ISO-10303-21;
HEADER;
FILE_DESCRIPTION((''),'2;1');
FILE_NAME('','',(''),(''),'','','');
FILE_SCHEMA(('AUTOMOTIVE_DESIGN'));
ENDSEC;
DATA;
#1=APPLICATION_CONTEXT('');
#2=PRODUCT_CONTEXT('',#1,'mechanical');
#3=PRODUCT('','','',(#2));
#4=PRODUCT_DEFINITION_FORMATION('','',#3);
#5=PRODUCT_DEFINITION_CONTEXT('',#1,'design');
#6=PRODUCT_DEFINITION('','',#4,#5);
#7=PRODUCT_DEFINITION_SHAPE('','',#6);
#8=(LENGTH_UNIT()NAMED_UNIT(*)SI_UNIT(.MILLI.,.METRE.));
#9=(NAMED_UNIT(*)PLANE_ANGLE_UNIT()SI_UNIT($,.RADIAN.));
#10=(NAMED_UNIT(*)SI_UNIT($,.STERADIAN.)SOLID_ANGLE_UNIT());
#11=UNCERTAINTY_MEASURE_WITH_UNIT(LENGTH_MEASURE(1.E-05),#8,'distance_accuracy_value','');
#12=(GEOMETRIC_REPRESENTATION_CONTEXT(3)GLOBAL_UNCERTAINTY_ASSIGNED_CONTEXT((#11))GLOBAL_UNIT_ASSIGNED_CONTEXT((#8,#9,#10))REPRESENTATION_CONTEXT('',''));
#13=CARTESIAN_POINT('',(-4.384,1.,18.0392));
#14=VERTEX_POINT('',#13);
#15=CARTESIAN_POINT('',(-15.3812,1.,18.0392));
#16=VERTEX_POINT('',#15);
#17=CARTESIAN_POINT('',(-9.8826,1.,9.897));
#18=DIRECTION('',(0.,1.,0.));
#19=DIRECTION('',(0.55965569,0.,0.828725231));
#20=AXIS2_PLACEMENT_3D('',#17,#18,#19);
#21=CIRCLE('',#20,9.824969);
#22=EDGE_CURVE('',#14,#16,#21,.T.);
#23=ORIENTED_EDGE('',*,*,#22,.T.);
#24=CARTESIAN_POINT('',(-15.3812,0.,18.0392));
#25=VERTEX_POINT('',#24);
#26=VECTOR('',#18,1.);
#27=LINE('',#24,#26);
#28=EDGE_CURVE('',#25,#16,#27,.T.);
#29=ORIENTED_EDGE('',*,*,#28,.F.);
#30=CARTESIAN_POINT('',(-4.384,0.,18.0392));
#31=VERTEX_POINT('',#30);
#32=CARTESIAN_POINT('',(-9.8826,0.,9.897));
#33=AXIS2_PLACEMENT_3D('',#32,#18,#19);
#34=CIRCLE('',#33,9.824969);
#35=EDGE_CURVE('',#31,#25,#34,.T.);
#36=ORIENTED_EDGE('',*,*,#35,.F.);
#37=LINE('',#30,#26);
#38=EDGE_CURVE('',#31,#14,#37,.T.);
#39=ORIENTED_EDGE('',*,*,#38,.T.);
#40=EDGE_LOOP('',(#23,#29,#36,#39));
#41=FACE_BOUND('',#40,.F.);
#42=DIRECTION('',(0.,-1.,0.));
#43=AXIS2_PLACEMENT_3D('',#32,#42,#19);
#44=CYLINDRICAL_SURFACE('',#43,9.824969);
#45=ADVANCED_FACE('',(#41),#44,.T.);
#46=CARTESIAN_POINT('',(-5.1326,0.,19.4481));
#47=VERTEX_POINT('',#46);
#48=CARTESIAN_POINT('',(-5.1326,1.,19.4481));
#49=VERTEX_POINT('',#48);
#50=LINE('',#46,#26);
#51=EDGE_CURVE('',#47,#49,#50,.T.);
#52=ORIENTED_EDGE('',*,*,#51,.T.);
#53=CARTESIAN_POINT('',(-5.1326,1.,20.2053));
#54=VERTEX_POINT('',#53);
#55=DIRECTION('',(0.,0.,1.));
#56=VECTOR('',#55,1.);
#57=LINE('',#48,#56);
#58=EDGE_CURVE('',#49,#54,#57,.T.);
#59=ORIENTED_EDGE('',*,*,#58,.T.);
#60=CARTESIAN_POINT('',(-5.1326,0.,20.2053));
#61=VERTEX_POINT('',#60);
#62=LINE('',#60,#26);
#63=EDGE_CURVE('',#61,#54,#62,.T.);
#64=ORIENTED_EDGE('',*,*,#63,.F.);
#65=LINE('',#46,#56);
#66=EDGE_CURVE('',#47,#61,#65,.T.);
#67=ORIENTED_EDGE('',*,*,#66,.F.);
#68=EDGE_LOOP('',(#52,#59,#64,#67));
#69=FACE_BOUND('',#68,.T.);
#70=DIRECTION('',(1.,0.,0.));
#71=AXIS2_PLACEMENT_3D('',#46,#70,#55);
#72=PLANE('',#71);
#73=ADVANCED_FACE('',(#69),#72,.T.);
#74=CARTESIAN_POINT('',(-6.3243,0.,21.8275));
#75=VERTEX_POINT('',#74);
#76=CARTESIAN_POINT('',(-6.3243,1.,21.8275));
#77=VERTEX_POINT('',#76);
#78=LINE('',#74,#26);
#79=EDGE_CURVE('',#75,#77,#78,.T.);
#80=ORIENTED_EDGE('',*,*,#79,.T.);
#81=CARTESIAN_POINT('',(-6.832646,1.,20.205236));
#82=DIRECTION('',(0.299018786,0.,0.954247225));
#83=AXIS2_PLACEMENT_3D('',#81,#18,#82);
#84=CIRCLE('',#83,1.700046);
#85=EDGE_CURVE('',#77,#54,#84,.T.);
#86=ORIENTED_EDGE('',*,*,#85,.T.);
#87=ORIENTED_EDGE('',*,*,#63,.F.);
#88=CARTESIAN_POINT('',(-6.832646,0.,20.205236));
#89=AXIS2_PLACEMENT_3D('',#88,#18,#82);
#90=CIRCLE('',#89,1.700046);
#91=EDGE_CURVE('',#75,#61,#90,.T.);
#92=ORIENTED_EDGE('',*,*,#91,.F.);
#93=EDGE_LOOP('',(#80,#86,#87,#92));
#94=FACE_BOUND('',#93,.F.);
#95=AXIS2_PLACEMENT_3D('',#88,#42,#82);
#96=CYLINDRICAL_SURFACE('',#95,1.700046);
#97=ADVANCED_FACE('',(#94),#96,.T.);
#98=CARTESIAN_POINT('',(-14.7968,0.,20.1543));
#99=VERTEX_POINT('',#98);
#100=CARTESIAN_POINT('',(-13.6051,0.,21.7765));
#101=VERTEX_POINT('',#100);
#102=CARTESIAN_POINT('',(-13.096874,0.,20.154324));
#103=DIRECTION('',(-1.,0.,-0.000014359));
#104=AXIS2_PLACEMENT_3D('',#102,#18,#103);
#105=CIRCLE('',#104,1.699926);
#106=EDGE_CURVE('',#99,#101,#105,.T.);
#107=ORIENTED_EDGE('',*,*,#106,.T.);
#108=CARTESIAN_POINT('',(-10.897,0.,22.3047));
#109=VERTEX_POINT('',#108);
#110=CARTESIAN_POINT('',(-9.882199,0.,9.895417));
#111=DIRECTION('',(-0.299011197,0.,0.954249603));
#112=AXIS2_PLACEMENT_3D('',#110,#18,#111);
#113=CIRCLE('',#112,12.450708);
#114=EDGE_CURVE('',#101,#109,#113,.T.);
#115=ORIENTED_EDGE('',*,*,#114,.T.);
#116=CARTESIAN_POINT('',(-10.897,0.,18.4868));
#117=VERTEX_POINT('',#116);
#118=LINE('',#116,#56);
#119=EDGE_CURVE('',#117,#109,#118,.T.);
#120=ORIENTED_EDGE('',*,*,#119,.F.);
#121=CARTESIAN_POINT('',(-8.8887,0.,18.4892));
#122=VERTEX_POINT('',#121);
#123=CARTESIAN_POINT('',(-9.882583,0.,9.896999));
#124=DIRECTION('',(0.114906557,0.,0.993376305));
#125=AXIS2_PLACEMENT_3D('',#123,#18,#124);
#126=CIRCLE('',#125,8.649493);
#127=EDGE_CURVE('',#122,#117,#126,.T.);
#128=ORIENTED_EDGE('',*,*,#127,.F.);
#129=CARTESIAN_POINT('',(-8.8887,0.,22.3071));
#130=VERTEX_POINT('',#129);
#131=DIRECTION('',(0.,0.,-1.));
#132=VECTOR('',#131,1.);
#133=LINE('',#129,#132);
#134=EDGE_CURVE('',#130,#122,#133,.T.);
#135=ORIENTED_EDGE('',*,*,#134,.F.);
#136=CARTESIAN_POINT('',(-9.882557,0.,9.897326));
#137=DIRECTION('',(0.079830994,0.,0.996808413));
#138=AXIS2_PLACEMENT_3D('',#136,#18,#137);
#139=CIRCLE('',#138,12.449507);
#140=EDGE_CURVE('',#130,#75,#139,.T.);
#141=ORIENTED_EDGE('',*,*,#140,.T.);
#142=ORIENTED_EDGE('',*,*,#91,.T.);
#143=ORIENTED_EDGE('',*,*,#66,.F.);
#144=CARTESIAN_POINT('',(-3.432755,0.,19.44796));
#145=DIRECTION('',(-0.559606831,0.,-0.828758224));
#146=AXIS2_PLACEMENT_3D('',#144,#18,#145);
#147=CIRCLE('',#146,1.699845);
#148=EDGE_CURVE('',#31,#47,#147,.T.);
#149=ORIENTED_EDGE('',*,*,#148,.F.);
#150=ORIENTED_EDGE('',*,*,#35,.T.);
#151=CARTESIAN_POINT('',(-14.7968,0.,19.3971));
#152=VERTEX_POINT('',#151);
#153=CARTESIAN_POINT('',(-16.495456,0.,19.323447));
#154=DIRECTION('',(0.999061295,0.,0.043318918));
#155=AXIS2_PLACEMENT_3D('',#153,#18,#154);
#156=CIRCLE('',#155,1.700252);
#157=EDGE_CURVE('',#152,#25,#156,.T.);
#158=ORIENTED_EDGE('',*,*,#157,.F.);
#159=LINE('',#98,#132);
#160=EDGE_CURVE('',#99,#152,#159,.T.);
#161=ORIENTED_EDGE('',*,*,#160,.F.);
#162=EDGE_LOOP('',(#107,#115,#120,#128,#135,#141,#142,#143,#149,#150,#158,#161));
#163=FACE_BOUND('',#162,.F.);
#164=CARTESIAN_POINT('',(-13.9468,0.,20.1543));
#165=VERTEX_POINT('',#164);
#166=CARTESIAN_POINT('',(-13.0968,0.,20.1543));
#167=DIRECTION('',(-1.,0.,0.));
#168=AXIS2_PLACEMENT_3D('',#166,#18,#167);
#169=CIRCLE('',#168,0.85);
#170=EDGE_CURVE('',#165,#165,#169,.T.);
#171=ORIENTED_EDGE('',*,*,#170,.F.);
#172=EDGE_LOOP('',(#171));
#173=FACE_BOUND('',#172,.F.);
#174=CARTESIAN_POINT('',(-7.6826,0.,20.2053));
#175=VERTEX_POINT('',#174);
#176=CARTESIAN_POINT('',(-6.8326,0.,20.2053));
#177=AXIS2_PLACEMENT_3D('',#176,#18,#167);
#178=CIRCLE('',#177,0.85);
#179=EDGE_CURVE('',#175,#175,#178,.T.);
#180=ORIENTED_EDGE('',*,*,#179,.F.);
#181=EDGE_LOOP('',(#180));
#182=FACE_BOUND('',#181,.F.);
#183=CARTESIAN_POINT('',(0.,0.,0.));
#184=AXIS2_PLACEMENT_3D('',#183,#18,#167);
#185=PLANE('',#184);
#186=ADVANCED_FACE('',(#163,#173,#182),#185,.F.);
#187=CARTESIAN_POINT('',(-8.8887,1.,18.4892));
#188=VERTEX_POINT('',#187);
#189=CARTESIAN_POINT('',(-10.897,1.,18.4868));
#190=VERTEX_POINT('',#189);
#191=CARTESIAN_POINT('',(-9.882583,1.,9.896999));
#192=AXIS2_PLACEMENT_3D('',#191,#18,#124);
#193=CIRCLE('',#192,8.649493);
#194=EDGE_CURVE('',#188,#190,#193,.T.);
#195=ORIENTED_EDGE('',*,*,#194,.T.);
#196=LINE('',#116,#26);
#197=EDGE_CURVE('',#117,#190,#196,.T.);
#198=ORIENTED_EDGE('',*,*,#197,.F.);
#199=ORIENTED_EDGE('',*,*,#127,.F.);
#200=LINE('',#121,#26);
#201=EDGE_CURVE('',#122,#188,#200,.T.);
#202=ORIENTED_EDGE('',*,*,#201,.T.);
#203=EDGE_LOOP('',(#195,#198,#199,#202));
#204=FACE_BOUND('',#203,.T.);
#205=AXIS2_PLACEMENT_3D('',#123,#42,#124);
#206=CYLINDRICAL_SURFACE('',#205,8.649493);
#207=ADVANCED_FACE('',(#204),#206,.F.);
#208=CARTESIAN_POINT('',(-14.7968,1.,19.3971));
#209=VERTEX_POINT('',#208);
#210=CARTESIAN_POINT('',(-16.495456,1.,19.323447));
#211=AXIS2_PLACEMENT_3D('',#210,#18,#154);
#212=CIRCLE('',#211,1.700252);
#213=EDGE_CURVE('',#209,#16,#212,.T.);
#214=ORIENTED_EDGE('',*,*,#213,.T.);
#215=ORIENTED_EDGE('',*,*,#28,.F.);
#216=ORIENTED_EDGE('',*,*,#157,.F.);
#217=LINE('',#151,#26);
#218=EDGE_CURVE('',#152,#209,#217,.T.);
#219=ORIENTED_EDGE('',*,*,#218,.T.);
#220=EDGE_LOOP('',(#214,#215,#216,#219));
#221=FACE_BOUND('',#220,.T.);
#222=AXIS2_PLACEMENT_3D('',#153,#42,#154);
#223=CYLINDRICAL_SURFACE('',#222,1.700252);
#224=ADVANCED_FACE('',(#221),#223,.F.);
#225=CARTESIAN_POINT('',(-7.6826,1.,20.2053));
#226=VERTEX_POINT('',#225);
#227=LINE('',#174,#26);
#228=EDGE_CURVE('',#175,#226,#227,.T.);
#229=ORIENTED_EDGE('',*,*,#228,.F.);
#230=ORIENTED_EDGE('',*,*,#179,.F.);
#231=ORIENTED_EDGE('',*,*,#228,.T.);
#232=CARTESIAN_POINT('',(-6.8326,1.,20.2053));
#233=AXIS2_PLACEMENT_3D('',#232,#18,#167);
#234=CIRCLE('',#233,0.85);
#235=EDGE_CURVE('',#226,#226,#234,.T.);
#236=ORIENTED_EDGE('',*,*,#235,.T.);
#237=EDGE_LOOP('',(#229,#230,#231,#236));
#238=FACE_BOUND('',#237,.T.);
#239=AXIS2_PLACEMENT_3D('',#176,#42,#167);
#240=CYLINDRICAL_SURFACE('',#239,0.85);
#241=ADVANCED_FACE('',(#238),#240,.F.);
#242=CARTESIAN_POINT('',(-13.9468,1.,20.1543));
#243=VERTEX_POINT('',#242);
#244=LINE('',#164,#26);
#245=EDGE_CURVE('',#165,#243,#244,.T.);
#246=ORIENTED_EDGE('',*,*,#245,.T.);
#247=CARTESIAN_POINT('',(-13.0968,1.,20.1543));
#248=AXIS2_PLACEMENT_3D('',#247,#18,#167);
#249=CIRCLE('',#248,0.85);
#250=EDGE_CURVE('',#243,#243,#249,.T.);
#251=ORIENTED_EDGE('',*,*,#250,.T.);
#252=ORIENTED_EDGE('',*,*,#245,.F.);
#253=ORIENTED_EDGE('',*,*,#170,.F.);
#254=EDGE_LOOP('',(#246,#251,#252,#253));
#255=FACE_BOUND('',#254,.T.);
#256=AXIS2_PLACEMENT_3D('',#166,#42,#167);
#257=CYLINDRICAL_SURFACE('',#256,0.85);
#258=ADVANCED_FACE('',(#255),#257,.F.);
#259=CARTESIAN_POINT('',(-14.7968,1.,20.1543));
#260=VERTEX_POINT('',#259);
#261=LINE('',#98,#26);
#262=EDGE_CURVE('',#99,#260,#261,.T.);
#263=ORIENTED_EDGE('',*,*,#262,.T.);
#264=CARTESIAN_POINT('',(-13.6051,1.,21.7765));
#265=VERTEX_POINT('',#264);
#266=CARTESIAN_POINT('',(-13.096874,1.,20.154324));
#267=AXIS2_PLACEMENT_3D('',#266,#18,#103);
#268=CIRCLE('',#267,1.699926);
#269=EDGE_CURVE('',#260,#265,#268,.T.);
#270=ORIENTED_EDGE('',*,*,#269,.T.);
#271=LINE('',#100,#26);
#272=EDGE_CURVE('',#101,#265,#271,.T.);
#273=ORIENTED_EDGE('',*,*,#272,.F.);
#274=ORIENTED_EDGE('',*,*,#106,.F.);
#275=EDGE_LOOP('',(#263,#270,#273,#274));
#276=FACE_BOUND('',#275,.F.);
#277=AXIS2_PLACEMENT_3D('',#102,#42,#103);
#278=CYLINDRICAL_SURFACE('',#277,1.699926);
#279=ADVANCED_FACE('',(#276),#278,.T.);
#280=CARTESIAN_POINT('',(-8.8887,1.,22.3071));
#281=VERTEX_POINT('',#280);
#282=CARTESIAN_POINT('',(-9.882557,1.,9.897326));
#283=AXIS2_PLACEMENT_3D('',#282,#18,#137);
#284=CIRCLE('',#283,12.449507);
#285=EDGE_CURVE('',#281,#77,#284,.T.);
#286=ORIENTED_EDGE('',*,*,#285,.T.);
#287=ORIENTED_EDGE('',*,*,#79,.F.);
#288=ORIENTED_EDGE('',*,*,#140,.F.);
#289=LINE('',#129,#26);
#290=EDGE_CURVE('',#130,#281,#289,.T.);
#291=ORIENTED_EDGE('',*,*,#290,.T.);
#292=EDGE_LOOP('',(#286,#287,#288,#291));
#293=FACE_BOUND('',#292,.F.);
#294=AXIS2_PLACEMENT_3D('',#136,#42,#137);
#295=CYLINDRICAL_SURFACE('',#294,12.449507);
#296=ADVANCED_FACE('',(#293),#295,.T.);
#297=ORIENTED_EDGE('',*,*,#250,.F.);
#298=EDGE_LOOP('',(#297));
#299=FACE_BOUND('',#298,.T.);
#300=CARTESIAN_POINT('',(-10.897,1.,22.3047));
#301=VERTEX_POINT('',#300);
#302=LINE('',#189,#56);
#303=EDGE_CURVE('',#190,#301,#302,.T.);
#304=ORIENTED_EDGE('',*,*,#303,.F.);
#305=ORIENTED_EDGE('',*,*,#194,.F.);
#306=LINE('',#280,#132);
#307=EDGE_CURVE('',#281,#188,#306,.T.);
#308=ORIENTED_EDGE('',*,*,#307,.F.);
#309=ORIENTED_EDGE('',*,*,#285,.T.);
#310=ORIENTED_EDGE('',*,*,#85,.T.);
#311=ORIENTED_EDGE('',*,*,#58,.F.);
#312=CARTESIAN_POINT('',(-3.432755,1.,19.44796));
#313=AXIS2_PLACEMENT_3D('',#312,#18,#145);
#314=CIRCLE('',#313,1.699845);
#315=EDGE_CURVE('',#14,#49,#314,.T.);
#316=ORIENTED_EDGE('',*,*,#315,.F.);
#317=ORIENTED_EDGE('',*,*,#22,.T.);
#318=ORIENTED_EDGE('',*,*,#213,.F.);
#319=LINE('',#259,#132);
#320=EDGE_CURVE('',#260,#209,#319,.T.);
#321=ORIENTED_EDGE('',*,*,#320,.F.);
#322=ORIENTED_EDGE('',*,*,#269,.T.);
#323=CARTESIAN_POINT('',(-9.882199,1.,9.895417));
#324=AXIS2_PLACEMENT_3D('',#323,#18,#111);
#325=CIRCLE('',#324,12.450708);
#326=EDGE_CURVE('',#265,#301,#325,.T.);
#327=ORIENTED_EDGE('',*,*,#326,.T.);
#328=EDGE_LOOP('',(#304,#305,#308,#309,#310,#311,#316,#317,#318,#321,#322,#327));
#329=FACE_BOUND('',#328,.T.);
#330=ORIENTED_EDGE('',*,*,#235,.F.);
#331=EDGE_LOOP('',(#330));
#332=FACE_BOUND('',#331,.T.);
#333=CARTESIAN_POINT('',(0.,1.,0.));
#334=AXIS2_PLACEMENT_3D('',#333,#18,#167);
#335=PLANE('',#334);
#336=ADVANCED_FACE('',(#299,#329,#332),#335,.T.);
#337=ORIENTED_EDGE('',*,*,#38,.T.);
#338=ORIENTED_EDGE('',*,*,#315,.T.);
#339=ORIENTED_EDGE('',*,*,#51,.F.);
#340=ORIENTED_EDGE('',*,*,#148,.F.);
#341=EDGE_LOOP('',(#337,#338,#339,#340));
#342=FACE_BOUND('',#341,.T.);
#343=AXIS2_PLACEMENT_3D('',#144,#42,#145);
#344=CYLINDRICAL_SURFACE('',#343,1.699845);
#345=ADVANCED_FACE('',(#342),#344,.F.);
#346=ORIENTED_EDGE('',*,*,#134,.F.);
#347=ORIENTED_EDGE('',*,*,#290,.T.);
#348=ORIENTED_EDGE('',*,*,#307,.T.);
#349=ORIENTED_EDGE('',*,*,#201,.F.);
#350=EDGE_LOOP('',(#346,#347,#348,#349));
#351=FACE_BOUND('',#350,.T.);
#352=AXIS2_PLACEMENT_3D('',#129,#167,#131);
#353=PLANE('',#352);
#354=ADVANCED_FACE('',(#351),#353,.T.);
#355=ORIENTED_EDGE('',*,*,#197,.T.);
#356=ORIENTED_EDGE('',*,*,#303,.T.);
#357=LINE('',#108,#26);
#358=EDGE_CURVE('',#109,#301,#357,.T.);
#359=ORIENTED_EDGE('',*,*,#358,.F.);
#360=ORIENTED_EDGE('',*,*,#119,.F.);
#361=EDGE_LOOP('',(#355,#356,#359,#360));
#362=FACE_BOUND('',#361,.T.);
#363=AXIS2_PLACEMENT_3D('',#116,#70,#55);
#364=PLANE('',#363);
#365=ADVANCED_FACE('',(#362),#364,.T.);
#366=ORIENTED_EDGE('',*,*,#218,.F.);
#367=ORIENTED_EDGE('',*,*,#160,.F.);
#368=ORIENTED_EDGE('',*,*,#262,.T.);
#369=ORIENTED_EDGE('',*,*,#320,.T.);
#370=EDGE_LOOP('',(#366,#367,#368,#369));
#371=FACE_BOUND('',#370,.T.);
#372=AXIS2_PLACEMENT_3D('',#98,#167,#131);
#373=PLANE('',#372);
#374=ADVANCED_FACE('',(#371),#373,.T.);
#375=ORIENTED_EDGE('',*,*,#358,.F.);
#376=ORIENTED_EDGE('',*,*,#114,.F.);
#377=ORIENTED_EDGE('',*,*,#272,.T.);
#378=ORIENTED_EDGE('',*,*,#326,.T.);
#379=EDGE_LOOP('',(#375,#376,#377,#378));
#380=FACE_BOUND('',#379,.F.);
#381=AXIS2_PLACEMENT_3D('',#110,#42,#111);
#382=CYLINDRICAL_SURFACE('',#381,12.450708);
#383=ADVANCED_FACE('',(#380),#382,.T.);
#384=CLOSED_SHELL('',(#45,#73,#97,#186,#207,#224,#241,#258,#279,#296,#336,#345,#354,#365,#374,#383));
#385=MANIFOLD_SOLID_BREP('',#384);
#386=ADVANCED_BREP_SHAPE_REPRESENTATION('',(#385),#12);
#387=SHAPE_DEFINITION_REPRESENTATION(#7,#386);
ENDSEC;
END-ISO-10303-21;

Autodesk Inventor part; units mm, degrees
ref_plane "YZ Plane" through (0, 0, 0) normal (1, 0, 0) x (0, 1, 0)
ref_plane "XZ Plane" through (0, 0, 0) normal (0, 1, 0) x (-1, 0, 0)
ref_plane "XY Plane" through (0, 0, 0) normal (0, 0, 1) x (1, 0, 0)
sketch "Sketch1" plane through (0, 0, 0) normal (0, 1, 0) x (-1, 0, 0)
  line L0 (5.1326, 19.4481) -> (5.1326, 20.2053)
  line L1 (14.7968, 20.1543) -> (14.7968, 19.3971)
  line L2 (10.897, 18.4868) -> (10.897, 22.3047)
  line L3 (8.8887, 22.3071) -> (8.8887, 18.4892)
  circle A0 centre (13.0968, 20.1543) radius 0.85
  circle A1 centre (6.8326, 20.2053) radius 0.85
  arc A2 (4.384, 18.0392) -> (5.1326, 19.4481) centre (3.4326, 19.4481) ccw
  arc A3 (4.384, 18.0392) -> (15.3812, 18.0392) centre (9.8826, 9.897) ccw
  arc A4 (14.7968, 19.3971) -> (15.3812, 18.0392) centre (16.4952, 19.3234) ccw
  arc A5 (14.7968, 20.1543) -> (13.6051, 21.7765) centre (13.0968, 20.1543) ccw
  arc A6 (13.6051, 21.7765) -> (10.897, 22.3047) centre (9.8826, 9.897) ccw
  arc A7 (8.8887, 18.4892) -> (10.897, 18.4868) centre (9.8826, 9.897) ccw
  arc A8 (8.8887, 22.3071) -> (6.3243, 21.8275) centre (9.8826, 9.897) ccw
  arc A9 (6.3243, 21.8275) -> (5.1326, 20.2053) centre (6.8326, 20.2053) ccw
  point P0 (0, 0)
  dimension "d0" = 0
  dimension "d1" = 0
  dimension "d2" = 0
  dimension "d5" = 8.6495
  dimension "d6" = 9.825
  dimension "d7" = 1.7
  dimension "d8" = 1.7
  dimension "d9" = 1.7
  dimension "d10" = 1.7
  dimension "d11" = 6.2642
  dimension "d12" = 2.0084
  dimension "d13" = 1.7
  dimension "d14" = 1.7
  dimension "d15" = 12.4491
  dimension "d16" = 12.4499
extrude "Extrusion1" add sketch "Sketch1" along normal blind 1
properties part number "49-01-003"
